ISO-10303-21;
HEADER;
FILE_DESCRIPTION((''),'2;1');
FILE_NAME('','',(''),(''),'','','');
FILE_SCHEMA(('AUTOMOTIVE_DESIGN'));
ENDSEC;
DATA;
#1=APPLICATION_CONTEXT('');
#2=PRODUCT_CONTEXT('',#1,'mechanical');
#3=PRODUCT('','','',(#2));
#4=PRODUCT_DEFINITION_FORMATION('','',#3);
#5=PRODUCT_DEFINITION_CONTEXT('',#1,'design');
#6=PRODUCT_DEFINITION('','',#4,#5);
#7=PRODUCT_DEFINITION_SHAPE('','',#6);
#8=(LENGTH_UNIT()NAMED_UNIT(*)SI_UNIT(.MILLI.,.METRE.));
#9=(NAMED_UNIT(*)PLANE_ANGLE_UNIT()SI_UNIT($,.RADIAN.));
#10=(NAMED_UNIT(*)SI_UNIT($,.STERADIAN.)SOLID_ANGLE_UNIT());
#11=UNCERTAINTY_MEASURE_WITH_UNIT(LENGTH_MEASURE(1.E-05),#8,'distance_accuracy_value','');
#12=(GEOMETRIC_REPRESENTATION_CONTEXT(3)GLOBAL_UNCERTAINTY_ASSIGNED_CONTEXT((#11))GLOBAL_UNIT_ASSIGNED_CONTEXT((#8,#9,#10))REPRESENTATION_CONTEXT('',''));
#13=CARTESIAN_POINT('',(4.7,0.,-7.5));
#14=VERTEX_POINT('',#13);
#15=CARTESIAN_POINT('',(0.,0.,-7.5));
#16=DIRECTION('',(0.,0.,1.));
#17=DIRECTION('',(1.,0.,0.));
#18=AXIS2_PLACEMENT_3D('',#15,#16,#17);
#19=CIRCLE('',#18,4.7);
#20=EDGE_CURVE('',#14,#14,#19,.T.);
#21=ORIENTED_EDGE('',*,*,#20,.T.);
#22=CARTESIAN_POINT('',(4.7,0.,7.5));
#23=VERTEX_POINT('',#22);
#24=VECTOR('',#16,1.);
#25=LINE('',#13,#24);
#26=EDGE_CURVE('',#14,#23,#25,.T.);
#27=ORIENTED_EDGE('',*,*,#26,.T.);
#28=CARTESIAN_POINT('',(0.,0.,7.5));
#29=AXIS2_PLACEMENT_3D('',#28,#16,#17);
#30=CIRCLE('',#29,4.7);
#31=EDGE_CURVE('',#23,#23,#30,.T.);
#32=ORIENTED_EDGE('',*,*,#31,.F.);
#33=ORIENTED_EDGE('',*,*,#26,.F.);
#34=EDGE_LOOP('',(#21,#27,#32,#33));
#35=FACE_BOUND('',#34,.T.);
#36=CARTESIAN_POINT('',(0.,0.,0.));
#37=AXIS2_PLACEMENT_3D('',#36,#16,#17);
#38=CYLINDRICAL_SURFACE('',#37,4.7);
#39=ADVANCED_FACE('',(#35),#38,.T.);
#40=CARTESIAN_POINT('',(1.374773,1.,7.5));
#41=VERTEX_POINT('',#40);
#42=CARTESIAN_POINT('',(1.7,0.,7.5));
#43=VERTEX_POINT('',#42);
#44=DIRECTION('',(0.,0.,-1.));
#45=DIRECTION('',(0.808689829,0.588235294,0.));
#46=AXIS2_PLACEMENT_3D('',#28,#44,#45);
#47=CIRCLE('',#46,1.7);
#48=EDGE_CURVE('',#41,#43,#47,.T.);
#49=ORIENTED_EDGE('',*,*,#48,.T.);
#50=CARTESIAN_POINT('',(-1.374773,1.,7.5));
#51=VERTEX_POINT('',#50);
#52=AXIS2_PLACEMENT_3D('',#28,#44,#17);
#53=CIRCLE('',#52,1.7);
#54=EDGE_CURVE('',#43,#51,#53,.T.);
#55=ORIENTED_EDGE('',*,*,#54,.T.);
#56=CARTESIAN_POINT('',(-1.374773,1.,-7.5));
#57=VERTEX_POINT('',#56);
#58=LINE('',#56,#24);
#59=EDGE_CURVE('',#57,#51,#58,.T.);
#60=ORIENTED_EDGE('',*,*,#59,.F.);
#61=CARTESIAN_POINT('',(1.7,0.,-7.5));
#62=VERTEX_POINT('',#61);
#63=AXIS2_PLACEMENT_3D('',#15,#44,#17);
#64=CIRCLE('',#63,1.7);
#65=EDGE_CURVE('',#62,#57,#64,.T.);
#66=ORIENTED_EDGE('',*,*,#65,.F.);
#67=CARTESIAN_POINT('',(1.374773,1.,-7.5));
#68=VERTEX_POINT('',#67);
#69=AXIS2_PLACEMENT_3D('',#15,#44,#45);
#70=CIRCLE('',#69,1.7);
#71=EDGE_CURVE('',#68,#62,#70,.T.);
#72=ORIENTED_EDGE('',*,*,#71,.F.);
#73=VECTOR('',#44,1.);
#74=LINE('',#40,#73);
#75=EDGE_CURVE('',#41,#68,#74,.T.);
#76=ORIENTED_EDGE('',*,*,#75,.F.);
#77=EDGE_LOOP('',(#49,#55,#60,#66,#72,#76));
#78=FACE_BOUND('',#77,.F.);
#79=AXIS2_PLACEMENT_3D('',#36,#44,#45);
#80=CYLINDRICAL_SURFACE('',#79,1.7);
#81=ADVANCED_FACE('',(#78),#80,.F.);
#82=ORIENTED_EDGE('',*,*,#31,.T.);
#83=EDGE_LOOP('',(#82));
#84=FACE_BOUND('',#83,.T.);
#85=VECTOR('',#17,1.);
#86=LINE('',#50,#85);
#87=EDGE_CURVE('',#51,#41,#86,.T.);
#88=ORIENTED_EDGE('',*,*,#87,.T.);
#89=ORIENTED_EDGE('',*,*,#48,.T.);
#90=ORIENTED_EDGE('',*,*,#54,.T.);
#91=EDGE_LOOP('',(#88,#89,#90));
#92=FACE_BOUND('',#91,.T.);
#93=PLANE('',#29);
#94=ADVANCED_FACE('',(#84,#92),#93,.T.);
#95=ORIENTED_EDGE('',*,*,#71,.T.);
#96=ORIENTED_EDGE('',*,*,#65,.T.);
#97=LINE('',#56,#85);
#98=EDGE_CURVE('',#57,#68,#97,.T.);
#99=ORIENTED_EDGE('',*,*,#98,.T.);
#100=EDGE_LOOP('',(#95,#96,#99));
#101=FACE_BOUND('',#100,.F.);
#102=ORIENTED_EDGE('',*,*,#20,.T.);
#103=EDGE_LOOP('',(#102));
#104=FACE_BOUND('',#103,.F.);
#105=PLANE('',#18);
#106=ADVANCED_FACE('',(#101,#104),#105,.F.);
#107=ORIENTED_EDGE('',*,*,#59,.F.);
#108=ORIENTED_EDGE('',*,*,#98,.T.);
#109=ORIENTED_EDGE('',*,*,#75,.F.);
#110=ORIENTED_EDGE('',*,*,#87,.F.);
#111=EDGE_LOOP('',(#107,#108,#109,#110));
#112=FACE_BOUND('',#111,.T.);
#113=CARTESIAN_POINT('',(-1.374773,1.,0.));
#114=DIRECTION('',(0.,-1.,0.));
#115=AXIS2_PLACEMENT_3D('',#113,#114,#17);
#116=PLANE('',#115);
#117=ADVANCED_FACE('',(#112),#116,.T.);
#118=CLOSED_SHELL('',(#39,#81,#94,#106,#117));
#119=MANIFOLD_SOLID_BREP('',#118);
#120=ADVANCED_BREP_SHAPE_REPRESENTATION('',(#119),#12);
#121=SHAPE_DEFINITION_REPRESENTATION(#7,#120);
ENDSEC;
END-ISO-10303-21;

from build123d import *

# Parameters (mm, degrees)
F0_R     = 4.7
F1_DEPTH = 7.5


with BuildPart() as f1:
    # F0 (on Top) → F1 (new body, symmetric)
    with BuildSketch(Plane.XY):
        Circle(F0_R)
        with BuildLine():
            ThreePointArc((1.3747727085, 1), (1.61664987, 0.5257786585), (1.7, 0))
            ThreePointArc((1.7, 0), (-0.5257786585, -1.61664987), (-1.3747727085, 1))
            ThreePointArc((-1.3747727085, 1), (0, 1.7), (1.3747727085, 1))
        make_face(mode=Mode.SUBTRACT)
        with BuildLine():
            Line((-1.3747727085, 1), (1.3747727085, 1))
            ThreePointArc((1.3747727085, 1), (0, 1.7), (-1.3747727085, 1))
        make_face()
    extrude(amount=F1_DEPTH, both=True)


solid = f1.part
